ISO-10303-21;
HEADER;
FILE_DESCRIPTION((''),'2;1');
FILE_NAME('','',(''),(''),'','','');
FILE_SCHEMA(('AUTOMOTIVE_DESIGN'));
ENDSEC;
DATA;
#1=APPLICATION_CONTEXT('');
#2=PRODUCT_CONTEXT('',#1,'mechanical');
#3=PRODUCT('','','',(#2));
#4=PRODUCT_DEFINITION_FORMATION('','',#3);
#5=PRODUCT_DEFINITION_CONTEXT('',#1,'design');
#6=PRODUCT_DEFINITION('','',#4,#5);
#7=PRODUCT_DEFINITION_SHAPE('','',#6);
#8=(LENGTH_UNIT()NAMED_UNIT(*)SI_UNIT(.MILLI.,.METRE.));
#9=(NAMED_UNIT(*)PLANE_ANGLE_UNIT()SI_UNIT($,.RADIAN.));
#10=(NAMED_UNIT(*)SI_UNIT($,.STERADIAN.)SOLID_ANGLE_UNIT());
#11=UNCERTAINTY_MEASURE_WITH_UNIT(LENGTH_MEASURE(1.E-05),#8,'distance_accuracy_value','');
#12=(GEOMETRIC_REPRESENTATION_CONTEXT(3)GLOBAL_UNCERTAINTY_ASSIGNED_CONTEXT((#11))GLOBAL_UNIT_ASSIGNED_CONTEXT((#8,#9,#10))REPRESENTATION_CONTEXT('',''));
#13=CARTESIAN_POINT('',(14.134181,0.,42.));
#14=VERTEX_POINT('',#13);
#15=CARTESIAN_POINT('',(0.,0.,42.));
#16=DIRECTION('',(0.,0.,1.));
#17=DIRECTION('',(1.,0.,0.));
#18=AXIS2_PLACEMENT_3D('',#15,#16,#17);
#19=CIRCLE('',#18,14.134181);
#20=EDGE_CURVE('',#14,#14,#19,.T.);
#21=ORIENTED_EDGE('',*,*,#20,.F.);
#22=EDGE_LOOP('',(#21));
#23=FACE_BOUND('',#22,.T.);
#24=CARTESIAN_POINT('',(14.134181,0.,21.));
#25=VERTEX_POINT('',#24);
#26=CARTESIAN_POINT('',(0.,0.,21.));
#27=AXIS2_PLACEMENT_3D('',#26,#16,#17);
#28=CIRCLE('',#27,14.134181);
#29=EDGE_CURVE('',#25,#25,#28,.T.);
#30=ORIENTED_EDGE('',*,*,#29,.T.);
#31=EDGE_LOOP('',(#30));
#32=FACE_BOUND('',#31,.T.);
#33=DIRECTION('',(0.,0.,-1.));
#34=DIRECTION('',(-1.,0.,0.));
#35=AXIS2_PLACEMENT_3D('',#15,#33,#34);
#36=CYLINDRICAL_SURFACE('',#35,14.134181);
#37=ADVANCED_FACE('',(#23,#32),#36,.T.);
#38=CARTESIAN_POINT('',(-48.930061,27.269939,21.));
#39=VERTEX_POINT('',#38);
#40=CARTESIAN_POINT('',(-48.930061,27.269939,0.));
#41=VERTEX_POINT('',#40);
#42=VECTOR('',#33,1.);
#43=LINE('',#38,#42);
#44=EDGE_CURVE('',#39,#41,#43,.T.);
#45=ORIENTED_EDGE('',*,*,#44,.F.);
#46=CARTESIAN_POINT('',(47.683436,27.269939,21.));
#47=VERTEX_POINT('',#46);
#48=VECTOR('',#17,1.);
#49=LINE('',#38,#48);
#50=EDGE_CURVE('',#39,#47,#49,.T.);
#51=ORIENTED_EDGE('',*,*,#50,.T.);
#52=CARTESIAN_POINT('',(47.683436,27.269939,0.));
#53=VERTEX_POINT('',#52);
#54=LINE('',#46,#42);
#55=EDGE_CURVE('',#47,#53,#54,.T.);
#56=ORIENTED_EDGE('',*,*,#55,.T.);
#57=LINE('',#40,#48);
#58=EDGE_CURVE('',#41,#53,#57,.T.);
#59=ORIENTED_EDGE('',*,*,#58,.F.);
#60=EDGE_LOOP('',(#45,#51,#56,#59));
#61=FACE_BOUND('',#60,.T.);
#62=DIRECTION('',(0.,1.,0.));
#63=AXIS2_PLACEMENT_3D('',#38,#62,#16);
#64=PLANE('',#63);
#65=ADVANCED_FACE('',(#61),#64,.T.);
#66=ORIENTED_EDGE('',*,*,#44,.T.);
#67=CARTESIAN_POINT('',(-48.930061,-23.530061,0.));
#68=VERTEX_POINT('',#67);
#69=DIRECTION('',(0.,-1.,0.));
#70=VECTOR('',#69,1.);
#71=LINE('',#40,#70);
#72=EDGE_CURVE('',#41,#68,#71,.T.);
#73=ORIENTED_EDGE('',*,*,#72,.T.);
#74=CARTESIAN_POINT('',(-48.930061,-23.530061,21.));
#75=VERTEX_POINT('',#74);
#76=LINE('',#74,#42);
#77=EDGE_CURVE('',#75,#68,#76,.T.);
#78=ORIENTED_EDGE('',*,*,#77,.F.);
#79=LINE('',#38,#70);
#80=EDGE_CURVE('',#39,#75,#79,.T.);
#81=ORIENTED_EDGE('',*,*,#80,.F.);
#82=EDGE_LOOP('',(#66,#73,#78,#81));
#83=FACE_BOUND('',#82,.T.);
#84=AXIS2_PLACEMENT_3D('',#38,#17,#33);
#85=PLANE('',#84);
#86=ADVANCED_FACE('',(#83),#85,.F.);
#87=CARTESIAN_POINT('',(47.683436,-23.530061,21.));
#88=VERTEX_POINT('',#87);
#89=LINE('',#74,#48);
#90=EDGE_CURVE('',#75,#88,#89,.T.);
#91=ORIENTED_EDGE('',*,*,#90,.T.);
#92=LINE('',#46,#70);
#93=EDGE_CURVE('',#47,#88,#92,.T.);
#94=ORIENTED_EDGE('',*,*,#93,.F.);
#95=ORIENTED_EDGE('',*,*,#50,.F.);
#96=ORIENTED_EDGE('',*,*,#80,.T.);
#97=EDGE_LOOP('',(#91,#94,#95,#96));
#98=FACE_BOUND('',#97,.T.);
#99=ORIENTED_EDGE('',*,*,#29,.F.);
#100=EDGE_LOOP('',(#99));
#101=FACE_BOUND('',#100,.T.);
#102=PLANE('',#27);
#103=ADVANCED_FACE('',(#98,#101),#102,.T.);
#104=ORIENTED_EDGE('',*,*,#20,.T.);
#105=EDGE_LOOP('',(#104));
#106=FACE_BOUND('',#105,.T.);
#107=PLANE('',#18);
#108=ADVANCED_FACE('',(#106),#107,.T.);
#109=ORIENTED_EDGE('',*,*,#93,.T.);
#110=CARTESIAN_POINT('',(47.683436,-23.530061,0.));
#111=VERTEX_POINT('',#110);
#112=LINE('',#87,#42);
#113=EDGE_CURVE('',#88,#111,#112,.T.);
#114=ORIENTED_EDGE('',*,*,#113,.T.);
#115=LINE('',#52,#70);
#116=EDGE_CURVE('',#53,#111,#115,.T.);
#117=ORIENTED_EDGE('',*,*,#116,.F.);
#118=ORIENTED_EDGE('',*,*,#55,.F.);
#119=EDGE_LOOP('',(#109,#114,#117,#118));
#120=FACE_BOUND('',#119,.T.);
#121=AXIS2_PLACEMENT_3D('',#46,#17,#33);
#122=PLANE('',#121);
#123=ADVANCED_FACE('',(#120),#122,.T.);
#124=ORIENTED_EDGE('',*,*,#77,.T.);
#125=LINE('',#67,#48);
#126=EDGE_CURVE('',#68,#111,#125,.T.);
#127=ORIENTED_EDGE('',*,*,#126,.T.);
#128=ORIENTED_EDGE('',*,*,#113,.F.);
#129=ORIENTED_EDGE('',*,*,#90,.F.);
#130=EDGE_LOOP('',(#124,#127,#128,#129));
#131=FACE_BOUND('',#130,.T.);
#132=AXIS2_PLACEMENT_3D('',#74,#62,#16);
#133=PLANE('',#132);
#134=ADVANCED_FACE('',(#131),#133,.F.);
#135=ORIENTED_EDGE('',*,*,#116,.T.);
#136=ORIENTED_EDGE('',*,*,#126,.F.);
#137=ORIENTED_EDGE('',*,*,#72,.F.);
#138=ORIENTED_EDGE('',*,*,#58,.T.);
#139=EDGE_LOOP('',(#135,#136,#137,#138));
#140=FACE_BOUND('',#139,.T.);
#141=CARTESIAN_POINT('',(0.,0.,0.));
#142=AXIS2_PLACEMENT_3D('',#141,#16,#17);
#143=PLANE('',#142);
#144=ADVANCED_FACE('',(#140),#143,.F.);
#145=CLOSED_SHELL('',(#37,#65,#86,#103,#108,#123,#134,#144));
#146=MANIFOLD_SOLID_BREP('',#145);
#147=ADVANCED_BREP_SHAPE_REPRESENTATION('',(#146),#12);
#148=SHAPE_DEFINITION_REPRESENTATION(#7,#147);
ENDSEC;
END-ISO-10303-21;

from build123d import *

# Parameters (mm, degrees)
SKETCH1_W           = 96.613496933
SKETCH1_H           = 50.8
BOSS_EXTRUDE1_DEPTH = 21
SKETCH4_R           = 14.134180844
BOSS_EXTRUDE2_DEPTH = 21


with BuildPart() as part:
    # Sketch1 → Boss-Extrude1 (new body)
    with BuildSketch(Plane.XY):
        with Locations((-0.623312883, 1.86993865)):
            Rectangle(SKETCH1_W, SKETCH1_H)
    extrude(amount=BOSS_EXTRUDE1_DEPTH)

    # Sketch4 → Boss-Extrude2 (add)
    with BuildSketch(Plane.XY.offset(21)):
        Circle(SKETCH4_R)
    extrude(amount=BOSS_EXTRUDE2_DEPTH)


solid = part.part
